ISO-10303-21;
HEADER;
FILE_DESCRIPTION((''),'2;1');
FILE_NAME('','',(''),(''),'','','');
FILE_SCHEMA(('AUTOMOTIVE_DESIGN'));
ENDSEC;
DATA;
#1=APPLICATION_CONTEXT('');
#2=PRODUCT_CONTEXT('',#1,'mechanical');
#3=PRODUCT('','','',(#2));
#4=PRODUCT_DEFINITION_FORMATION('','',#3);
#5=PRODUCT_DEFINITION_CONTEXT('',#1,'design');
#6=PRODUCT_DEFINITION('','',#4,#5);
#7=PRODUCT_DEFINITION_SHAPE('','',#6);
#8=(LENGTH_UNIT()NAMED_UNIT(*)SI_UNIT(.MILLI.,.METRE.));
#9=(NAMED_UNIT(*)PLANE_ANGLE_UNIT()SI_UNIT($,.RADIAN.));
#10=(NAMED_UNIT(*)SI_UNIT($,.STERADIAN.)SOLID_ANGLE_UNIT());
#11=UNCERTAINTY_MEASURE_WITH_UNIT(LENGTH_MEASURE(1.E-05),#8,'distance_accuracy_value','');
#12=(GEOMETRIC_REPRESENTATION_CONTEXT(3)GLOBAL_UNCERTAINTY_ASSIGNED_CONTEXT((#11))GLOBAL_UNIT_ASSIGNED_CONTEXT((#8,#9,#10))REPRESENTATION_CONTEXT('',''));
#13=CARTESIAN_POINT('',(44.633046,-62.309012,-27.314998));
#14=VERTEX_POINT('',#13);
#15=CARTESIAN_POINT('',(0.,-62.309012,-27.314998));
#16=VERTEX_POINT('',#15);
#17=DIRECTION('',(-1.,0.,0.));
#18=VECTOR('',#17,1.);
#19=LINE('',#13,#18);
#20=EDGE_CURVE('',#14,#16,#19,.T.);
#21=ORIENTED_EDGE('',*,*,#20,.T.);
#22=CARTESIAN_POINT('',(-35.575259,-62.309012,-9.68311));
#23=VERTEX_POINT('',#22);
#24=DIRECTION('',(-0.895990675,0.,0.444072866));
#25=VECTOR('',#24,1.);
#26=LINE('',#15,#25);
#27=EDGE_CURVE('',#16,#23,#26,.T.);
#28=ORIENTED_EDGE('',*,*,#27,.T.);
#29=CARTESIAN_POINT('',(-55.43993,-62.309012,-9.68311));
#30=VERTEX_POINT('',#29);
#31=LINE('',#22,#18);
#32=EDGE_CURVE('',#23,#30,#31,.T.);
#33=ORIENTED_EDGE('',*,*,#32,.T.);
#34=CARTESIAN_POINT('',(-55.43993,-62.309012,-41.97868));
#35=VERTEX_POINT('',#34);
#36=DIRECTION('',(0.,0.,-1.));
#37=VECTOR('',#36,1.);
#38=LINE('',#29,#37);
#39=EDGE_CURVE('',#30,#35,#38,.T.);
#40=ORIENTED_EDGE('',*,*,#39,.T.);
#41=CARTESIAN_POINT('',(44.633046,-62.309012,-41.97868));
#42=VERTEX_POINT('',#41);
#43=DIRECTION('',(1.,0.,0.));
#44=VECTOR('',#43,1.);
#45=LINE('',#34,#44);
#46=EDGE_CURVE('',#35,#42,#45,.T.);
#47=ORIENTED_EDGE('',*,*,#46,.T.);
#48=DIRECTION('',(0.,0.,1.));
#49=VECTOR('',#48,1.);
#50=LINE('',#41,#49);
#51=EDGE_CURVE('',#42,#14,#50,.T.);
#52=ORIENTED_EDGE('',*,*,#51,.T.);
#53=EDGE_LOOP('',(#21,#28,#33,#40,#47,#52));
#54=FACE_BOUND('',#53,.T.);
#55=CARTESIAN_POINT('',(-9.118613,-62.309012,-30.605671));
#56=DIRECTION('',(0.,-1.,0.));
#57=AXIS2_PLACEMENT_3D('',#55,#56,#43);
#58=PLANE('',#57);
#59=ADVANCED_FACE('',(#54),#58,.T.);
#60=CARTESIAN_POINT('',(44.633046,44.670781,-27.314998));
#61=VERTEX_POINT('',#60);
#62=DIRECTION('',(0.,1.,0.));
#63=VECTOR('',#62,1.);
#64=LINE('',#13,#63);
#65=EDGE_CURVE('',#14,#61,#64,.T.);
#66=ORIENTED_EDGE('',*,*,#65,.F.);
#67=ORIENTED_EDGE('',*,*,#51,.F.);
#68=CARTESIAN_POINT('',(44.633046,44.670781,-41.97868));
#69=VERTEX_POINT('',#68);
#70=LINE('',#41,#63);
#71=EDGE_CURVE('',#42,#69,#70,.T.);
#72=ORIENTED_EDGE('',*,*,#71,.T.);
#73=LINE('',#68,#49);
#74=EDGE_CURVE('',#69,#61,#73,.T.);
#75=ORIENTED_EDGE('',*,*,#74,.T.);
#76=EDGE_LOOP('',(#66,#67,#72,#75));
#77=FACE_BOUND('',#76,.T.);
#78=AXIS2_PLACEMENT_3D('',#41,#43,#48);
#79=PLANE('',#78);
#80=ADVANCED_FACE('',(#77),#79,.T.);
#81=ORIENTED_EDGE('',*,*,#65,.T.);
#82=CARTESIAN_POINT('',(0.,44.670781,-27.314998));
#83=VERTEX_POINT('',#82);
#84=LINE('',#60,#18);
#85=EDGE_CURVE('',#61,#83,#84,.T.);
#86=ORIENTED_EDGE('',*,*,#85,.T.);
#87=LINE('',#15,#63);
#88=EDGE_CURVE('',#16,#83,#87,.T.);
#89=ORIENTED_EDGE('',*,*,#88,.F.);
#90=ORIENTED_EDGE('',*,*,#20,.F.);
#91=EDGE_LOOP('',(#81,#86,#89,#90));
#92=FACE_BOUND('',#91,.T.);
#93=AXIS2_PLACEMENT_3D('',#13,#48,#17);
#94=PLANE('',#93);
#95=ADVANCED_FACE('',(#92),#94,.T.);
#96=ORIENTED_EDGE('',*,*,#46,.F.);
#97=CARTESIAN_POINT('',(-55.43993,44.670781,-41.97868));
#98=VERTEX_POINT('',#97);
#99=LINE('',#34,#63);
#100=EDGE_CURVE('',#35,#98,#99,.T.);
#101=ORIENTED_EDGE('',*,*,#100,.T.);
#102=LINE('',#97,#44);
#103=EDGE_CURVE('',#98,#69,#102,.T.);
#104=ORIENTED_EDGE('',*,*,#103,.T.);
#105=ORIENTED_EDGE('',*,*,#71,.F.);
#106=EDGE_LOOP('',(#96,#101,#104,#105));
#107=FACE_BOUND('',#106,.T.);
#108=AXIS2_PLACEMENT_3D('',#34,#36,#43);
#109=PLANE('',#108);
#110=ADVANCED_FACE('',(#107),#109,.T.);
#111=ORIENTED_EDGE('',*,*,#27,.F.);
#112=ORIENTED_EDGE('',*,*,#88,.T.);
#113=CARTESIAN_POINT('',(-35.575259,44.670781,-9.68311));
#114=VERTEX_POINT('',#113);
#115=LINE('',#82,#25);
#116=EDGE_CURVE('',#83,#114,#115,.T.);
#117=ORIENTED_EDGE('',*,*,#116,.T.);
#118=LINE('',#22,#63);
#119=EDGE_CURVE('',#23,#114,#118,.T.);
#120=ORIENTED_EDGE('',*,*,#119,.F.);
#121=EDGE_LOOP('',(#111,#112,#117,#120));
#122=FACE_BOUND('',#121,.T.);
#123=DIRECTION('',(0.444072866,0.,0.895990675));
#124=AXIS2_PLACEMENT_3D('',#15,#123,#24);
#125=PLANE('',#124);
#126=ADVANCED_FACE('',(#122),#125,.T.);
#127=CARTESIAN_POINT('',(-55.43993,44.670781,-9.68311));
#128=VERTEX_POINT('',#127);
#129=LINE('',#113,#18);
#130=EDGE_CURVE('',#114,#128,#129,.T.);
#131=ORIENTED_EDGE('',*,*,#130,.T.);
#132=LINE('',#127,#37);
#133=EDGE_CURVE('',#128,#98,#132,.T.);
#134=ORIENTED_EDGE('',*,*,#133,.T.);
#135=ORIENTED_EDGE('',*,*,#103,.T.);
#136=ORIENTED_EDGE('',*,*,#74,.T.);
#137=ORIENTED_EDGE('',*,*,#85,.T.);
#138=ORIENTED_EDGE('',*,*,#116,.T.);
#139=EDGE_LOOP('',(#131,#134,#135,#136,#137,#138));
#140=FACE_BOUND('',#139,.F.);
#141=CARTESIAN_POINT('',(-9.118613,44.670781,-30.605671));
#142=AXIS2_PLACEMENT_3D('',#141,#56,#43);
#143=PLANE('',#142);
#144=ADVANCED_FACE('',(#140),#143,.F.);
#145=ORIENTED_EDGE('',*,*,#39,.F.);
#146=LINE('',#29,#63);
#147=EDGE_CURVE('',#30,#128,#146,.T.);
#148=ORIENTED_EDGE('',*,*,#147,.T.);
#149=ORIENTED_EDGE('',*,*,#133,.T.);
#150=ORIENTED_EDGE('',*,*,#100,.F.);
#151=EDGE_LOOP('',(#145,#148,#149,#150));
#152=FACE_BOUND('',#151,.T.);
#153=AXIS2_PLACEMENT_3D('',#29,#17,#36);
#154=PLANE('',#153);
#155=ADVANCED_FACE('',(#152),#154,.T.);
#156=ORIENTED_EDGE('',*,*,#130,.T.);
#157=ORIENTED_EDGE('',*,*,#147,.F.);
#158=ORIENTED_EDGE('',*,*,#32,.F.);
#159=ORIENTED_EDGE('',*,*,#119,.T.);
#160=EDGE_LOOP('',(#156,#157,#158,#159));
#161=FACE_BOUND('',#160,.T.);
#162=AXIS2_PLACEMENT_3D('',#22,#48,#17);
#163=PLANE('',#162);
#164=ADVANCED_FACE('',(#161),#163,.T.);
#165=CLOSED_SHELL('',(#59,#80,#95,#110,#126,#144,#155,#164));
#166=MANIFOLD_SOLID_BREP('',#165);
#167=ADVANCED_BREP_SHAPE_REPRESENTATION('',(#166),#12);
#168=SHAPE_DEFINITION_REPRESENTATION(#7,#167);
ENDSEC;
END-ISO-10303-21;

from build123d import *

# Parameters (mm, degrees)
F1_DEPTH = 106.979793


with BuildPart() as f1:
    # F0 (on Front) → F1 (new body)
    with BuildSketch(Plane.XZ):
        Polygon((-55.43993, -41.97868), (44.633046, -41.97868), (44.633046, -27.314998), (0, -27.314998), (-35.575259, -9.68311), (-55.43993, -9.68311), align=None)
    extrude(amount=-F1_DEPTH)


with BuildPart() as f1_1:
    # F2: moved
    add(f1.part.moved(Location((0, -62.309012, 0))))


solid = f1_1.part
